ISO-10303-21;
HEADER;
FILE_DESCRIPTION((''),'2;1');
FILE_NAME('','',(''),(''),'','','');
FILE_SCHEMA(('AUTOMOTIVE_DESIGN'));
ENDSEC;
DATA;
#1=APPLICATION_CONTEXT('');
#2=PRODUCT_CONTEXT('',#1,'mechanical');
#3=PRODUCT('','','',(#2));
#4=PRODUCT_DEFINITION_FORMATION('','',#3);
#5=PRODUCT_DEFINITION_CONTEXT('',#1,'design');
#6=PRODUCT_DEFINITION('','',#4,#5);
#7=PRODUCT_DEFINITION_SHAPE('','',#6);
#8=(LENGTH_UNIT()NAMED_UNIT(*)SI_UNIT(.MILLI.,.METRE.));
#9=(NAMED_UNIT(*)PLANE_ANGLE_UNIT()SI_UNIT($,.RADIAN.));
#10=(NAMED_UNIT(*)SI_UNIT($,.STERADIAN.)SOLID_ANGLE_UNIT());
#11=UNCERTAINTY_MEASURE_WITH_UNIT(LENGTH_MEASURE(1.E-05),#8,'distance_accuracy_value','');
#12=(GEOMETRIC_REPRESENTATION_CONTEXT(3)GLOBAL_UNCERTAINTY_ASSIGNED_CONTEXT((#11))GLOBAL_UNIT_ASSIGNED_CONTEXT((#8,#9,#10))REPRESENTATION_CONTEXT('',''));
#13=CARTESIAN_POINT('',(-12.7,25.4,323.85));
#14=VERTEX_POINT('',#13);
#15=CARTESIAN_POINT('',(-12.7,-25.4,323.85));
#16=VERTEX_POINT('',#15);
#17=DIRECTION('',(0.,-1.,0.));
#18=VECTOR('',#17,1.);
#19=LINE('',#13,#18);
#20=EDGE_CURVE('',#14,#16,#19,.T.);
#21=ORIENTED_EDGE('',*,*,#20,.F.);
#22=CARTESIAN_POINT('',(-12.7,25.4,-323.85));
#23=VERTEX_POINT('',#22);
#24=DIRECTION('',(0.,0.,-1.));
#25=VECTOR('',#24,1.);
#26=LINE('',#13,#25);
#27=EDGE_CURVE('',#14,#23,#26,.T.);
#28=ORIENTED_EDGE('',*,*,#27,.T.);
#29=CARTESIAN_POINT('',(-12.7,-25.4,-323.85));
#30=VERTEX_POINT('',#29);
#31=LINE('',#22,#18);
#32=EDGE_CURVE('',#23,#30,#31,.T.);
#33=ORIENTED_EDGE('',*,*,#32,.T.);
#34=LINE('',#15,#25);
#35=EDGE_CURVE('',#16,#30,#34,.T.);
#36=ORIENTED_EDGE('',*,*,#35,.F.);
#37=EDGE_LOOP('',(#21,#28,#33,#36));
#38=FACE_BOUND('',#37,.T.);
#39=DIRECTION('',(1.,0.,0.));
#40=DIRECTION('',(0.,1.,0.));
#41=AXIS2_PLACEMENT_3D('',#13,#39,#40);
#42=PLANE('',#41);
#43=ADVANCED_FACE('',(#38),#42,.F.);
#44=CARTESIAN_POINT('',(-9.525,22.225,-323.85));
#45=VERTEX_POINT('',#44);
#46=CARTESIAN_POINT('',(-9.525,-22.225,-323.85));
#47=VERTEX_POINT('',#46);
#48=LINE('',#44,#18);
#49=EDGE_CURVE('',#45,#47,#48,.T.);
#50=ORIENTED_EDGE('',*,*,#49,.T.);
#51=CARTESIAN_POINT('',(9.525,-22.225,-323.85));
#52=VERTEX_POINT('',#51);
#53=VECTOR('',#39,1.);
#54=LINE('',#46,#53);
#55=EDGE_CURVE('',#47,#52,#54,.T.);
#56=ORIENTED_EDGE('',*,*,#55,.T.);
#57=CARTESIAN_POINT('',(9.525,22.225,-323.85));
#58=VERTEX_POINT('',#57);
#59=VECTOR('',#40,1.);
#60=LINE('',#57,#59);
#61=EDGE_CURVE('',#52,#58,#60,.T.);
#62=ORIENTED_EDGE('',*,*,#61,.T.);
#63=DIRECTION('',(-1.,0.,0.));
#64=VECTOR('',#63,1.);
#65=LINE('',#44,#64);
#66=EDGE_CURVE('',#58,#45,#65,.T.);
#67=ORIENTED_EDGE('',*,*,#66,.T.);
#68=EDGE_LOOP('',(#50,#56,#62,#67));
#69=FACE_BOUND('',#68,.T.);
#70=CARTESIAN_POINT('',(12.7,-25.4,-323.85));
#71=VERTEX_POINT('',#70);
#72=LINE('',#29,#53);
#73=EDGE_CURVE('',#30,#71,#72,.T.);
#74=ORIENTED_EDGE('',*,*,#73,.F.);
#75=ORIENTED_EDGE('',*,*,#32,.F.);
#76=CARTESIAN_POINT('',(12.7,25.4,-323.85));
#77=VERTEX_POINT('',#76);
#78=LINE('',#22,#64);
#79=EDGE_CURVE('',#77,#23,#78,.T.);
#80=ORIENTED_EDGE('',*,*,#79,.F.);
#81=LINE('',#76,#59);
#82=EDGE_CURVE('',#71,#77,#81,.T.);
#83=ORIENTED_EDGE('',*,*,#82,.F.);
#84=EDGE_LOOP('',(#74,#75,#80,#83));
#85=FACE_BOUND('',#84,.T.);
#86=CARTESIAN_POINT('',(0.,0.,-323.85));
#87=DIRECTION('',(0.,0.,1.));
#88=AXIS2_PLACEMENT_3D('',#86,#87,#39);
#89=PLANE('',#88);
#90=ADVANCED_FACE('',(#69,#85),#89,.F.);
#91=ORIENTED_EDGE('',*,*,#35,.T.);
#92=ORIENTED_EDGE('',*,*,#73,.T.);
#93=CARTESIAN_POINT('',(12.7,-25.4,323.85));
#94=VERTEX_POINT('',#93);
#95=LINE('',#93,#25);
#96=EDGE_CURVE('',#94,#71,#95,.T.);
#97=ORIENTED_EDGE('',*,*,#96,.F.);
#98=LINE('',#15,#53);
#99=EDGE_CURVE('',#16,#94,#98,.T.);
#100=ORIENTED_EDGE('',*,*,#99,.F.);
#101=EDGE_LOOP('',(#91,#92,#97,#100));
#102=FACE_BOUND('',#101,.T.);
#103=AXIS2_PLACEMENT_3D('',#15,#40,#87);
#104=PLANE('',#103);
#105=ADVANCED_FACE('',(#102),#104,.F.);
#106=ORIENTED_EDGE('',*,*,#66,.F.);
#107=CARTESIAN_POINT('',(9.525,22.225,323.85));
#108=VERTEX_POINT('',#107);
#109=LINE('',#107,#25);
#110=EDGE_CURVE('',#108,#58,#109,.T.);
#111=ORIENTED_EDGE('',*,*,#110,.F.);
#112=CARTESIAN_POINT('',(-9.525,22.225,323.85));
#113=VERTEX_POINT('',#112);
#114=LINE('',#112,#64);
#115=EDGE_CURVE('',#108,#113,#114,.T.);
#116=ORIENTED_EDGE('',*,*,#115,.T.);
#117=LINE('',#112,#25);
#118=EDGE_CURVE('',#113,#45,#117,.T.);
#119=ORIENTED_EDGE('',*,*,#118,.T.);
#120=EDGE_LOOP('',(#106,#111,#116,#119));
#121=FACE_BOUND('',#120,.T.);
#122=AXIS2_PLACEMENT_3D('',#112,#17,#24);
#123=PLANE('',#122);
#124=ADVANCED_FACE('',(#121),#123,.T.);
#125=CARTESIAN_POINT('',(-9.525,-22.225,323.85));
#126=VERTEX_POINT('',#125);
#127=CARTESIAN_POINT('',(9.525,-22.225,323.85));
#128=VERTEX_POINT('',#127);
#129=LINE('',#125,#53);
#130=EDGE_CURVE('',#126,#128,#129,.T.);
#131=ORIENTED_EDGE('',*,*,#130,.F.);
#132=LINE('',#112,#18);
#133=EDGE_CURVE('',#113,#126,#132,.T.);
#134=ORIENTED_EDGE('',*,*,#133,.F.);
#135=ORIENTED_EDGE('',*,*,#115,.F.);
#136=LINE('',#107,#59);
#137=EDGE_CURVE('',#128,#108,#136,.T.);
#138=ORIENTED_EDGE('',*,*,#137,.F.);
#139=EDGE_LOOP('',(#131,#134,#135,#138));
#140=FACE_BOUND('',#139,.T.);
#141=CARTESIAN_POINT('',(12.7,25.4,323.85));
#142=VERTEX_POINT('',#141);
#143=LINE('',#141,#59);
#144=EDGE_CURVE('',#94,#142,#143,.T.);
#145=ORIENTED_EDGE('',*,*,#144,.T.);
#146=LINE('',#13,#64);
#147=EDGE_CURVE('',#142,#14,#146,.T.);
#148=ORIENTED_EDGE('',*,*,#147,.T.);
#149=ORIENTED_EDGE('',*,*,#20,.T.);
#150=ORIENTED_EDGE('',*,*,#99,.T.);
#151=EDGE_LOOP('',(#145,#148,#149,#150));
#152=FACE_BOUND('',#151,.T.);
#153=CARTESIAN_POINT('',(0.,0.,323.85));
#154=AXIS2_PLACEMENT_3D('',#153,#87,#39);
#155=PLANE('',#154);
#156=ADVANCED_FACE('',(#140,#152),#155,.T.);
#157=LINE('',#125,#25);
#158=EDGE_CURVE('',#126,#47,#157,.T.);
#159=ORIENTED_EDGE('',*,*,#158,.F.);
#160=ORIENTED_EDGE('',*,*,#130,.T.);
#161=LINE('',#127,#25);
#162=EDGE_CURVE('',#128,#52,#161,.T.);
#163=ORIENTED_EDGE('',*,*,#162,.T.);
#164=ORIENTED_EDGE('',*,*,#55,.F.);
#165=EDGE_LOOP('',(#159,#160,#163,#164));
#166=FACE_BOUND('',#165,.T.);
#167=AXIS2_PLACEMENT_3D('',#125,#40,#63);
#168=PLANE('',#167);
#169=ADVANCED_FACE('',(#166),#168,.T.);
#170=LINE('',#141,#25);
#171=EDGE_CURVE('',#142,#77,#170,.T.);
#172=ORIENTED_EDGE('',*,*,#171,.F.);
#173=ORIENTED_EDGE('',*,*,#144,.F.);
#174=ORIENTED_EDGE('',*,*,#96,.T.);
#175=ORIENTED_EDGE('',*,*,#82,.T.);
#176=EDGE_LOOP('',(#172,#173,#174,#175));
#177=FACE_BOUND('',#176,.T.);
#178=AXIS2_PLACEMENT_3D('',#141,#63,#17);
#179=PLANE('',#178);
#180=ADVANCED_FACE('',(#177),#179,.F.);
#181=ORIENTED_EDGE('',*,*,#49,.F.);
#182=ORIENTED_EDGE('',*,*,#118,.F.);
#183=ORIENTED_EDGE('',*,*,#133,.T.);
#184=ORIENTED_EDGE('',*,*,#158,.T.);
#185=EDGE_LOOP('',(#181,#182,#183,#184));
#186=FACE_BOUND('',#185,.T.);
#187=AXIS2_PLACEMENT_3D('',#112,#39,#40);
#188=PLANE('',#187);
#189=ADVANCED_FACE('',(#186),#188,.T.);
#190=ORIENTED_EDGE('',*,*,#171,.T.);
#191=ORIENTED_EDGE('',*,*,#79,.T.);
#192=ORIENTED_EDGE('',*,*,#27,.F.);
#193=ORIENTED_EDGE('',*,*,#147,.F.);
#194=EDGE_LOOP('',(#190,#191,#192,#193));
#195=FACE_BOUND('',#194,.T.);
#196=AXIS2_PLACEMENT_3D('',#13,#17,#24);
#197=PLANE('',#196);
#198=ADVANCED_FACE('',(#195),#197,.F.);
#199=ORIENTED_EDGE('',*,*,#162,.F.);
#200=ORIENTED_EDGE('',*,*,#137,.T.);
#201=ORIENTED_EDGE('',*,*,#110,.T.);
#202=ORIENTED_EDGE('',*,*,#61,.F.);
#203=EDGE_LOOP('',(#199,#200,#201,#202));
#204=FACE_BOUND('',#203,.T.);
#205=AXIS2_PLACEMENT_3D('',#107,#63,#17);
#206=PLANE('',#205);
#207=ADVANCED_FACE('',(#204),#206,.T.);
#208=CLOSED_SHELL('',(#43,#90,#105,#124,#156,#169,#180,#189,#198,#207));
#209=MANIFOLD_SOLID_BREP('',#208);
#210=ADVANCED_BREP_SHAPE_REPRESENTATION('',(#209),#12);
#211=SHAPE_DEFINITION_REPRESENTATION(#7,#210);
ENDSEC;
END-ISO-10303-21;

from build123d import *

# Parameters (mm, degrees)
SKETCH1_W           = 25.4
SKETCH1_H           = 50.8
SKETCH1_W_2         = 19.05
SKETCH1_H_2         = 44.45
BOSS_EXTRUDE1_DEPTH = 323.85


with BuildPart() as part:
    # Sketch1 → Boss-Extrude1 (new, symmetric)
    with BuildSketch(Plane.XY):
        Rectangle(SKETCH1_W, SKETCH1_H)
        Rectangle(SKETCH1_W_2, SKETCH1_H_2, mode=Mode.SUBTRACT)
    extrude(amount=BOSS_EXTRUDE1_DEPTH, both=True)


solid = part.part
